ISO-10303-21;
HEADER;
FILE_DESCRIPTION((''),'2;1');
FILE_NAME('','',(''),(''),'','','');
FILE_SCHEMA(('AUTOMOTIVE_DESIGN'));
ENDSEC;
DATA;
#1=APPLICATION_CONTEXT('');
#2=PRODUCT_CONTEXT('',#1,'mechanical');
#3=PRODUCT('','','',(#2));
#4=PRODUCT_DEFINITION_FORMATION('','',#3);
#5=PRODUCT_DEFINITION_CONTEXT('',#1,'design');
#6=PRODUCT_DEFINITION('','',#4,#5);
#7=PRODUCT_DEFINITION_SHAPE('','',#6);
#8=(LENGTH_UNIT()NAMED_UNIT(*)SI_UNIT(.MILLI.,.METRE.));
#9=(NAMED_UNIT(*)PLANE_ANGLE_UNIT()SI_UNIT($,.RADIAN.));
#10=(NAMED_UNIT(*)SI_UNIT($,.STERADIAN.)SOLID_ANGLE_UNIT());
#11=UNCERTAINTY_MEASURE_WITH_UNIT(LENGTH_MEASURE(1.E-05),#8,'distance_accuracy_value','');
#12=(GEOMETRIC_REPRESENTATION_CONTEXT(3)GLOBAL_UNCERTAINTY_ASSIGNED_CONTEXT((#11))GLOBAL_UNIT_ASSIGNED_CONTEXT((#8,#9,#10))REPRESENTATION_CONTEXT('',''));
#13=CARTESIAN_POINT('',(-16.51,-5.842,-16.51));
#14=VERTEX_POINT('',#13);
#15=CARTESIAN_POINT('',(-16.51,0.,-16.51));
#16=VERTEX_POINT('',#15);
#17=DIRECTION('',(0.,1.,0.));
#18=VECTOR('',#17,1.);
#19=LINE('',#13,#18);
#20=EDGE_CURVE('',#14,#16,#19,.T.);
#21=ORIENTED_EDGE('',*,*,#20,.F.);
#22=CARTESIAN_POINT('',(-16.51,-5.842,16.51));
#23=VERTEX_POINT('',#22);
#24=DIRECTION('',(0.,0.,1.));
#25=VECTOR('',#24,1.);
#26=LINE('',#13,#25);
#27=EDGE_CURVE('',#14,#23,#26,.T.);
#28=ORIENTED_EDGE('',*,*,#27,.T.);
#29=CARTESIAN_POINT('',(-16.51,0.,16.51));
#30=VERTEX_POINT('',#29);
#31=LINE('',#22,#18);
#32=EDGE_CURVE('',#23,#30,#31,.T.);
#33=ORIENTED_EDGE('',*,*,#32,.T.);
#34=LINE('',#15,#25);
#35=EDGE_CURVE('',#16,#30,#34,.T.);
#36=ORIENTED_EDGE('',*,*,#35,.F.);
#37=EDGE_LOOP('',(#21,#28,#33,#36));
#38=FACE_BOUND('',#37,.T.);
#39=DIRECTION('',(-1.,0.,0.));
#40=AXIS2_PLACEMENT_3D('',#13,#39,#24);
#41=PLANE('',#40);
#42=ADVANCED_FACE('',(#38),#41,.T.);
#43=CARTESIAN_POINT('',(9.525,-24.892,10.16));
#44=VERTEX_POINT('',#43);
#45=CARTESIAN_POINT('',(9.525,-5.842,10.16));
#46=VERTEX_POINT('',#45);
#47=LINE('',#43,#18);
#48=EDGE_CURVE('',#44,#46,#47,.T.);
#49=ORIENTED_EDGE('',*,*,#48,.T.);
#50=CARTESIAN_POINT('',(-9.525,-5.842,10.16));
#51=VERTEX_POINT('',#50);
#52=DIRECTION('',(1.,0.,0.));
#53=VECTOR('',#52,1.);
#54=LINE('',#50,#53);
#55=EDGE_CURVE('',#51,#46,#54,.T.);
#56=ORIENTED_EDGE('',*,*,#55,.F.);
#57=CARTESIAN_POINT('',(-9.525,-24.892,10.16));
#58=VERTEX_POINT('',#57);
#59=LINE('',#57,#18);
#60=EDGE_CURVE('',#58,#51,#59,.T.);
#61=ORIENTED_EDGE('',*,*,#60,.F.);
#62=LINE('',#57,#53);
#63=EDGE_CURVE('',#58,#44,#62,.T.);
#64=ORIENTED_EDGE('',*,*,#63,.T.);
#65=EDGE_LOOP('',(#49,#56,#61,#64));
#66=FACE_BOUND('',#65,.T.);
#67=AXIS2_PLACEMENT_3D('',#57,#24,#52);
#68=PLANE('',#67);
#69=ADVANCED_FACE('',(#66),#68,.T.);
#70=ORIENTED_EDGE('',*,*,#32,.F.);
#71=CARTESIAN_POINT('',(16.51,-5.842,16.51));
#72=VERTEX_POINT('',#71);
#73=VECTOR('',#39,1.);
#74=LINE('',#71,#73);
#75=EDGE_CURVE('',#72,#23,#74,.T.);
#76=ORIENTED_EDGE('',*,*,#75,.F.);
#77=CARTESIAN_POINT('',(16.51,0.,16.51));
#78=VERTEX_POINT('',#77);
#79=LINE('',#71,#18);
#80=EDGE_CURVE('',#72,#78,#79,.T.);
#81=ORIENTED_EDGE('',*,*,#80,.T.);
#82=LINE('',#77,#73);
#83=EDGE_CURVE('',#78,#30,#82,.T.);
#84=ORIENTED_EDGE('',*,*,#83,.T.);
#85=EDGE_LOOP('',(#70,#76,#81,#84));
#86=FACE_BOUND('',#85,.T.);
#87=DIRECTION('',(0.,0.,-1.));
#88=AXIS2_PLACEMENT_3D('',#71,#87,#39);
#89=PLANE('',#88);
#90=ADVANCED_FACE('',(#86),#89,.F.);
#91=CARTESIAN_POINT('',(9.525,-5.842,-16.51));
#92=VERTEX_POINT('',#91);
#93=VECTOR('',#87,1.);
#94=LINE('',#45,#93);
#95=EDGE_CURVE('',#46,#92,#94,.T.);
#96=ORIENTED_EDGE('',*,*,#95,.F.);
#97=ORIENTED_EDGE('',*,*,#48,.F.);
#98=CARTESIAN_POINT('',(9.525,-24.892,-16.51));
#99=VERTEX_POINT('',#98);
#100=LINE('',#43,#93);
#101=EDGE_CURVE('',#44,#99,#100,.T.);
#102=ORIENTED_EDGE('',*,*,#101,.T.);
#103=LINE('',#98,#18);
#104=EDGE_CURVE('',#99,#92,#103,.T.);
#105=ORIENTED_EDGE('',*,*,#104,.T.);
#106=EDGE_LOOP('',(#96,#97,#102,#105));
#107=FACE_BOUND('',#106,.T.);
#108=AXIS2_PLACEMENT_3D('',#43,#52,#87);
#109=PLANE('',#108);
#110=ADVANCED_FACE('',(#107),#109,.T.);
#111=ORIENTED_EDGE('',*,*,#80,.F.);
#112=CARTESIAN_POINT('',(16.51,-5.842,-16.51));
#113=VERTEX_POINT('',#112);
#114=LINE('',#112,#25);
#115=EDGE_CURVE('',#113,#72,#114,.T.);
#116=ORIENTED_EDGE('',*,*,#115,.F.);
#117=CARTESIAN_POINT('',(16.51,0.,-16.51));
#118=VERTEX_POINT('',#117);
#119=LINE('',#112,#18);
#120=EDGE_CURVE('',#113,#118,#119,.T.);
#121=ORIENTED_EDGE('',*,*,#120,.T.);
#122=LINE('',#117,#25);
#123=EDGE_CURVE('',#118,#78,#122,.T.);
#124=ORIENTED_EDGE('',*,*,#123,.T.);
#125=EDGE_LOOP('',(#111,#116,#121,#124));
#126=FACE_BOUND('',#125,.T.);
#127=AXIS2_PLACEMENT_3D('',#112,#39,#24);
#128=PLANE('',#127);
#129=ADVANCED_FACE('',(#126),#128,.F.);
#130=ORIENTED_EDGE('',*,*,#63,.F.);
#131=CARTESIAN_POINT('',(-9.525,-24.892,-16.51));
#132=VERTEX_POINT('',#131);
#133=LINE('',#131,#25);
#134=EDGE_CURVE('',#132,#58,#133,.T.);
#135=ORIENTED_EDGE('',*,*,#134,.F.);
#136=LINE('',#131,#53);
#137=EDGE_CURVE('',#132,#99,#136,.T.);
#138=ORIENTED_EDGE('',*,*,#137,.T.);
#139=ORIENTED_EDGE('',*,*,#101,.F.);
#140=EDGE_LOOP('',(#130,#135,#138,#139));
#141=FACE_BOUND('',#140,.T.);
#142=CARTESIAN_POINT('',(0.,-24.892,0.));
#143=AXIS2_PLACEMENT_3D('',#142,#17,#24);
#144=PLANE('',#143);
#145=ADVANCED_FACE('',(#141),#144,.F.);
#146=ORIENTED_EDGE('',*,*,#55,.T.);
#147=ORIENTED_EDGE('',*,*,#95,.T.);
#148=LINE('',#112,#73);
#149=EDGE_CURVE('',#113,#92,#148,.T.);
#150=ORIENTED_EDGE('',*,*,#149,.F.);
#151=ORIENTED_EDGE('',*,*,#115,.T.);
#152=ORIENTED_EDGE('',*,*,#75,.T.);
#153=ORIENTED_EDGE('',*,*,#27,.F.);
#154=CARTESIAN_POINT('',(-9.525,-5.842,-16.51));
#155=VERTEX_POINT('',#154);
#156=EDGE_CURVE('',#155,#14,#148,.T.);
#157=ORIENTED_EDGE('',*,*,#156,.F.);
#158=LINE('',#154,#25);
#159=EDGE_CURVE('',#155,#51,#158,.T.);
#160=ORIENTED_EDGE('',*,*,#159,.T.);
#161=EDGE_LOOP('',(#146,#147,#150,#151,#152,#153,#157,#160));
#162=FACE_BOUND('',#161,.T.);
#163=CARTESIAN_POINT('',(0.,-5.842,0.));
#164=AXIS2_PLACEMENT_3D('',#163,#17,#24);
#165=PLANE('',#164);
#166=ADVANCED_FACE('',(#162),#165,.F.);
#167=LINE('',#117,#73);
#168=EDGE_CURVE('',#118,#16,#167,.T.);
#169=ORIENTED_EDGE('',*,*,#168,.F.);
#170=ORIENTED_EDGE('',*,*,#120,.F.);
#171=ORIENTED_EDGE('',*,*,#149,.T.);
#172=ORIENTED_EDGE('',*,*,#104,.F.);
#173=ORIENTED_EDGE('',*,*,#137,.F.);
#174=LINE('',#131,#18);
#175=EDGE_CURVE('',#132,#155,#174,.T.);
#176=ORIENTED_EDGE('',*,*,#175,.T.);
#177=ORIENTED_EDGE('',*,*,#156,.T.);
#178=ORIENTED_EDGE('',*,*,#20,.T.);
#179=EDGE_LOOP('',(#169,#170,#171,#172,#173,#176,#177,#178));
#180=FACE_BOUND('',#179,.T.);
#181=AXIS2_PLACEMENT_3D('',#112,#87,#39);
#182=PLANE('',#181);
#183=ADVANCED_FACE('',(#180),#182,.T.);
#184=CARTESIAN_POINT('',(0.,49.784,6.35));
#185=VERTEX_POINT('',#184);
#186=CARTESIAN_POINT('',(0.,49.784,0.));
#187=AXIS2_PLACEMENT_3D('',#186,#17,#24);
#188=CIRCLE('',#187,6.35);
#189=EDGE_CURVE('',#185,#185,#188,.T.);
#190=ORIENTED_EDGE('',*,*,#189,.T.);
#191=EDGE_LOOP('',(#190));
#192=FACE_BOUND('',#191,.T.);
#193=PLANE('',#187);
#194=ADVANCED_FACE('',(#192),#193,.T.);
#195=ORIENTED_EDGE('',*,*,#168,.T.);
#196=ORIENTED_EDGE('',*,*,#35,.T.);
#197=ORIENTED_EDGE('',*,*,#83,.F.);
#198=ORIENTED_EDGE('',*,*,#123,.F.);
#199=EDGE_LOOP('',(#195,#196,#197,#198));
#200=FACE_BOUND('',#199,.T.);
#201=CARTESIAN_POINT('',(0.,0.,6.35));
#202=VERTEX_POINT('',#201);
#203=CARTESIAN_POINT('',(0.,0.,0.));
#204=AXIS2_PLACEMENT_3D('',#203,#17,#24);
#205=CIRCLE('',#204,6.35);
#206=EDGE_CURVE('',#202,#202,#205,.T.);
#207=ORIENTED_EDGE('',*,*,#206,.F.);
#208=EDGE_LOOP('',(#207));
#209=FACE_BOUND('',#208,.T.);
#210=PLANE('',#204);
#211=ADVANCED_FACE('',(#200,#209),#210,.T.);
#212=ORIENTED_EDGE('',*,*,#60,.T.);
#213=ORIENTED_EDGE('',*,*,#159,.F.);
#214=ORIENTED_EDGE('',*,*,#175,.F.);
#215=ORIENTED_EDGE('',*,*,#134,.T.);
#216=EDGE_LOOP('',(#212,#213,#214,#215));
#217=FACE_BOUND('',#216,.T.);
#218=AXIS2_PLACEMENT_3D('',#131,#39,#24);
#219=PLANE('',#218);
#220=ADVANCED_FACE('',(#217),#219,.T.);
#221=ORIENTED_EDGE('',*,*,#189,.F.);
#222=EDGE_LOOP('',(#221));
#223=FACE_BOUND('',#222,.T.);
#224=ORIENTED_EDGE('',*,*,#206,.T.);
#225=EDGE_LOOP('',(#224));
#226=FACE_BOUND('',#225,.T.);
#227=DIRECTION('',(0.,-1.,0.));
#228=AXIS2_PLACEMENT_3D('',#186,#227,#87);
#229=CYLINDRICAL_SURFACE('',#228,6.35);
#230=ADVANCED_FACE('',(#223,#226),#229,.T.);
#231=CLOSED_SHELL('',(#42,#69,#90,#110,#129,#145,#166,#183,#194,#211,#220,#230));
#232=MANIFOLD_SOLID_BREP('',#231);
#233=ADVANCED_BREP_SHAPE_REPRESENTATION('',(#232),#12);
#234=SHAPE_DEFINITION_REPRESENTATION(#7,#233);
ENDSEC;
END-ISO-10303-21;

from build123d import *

# Parameters (mm, degrees)
SKETCH1_R           = 6.35
BOSS_EXTRUDE1_DEPTH = 49.784
SKETCH2_W           = 33.02
SKETCH2_H           = 33.02
BOSS_EXTRUDE2_DEPTH = 5.842
SKETCH3_W           = 19.05
SKETCH3_H           = 26.67
BOSS_EXTRUDE3_DEPTH = 19.05


with BuildPart() as part:
    # Sketch1 → Boss-Extrude1 (new body)
    with BuildSketch(Plane(origin=(0, 0, 0), x_dir=(1, 0, 0), z_dir=(0, 1, 0))):
        with Locations(Location((0, 0, 0), (0, 0, 270))):
            Circle(SKETCH1_R)
    extrude(amount=BOSS_EXTRUDE1_DEPTH)

    # Sketch2 → Boss-Extrude2 (add)
    with BuildSketch(Plane.XZ):
        Rectangle(SKETCH2_W, SKETCH2_H)
    extrude(amount=BOSS_EXTRUDE2_DEPTH)

    # Sketch3 → Boss-Extrude3 (add)
    with BuildSketch(Plane.XZ.offset(5.842)):
        with Locations((0, -3.175)):
            Rectangle(SKETCH3_W, SKETCH3_H)
    extrude(amount=BOSS_EXTRUDE3_DEPTH)


solid = part.part
